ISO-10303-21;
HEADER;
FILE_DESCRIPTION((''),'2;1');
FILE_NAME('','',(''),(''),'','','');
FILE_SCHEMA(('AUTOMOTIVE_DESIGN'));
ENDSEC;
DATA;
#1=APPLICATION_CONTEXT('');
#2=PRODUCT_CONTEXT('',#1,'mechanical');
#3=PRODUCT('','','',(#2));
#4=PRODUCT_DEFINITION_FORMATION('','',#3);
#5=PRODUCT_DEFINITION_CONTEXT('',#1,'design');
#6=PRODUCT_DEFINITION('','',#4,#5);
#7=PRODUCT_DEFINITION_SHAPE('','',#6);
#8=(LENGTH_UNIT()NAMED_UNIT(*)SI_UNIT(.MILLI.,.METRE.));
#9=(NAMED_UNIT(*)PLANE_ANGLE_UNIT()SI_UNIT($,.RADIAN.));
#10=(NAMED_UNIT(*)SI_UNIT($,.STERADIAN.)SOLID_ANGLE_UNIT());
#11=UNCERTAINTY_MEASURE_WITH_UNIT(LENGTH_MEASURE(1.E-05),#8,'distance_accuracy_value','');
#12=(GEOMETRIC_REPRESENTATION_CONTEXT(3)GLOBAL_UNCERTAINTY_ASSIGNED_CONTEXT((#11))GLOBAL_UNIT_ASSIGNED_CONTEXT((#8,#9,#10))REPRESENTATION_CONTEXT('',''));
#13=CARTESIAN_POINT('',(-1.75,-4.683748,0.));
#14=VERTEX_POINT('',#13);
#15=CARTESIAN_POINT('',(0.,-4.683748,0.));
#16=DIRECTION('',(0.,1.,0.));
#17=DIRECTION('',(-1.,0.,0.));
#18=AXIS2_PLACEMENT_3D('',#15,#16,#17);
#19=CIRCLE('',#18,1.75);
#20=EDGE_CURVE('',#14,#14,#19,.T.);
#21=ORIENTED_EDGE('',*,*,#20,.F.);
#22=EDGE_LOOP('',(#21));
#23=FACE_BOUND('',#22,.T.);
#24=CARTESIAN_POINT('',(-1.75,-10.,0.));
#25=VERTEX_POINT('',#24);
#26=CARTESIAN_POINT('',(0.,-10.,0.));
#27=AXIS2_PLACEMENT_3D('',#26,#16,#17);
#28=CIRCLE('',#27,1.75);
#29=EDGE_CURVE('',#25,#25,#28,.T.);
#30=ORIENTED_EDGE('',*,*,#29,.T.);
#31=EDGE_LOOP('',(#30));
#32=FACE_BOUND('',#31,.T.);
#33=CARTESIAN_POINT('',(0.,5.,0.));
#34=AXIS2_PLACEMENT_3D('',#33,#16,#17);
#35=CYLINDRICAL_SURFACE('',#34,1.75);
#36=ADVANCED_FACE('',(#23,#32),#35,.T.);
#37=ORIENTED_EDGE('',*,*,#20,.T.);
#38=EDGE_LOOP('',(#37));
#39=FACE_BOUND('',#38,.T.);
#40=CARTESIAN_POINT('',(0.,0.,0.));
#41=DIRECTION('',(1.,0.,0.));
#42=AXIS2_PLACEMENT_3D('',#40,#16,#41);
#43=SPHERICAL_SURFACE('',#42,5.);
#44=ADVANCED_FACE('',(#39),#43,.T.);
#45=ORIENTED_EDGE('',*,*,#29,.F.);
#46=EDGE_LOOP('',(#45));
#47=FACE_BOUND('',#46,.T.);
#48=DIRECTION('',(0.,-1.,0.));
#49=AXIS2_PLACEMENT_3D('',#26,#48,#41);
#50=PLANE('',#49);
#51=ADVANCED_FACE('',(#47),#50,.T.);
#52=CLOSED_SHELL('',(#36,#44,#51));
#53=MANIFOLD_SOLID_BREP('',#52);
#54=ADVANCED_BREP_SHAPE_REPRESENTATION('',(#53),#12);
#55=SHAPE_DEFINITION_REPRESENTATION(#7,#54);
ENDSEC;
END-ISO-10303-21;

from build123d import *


with BuildPart() as part:
    # Sketch1 → Revolve1 (revolve)
    with BuildSketch(Plane.XY):
        with BuildLine():
            Line((0, 5), (0, -10))
            Line((0, -10), (-1.75, -10))
            Line((-1.75, -10), (-1.75, -4.683748499))
            ThreePointArc((-1.75, -4.683748499), (-4.920301947, 0.889173073), (0, 5))
        make_face()
    revolve(axis=Axis((0, 5, 0), (0, -1, 0)))


solid = part.part
